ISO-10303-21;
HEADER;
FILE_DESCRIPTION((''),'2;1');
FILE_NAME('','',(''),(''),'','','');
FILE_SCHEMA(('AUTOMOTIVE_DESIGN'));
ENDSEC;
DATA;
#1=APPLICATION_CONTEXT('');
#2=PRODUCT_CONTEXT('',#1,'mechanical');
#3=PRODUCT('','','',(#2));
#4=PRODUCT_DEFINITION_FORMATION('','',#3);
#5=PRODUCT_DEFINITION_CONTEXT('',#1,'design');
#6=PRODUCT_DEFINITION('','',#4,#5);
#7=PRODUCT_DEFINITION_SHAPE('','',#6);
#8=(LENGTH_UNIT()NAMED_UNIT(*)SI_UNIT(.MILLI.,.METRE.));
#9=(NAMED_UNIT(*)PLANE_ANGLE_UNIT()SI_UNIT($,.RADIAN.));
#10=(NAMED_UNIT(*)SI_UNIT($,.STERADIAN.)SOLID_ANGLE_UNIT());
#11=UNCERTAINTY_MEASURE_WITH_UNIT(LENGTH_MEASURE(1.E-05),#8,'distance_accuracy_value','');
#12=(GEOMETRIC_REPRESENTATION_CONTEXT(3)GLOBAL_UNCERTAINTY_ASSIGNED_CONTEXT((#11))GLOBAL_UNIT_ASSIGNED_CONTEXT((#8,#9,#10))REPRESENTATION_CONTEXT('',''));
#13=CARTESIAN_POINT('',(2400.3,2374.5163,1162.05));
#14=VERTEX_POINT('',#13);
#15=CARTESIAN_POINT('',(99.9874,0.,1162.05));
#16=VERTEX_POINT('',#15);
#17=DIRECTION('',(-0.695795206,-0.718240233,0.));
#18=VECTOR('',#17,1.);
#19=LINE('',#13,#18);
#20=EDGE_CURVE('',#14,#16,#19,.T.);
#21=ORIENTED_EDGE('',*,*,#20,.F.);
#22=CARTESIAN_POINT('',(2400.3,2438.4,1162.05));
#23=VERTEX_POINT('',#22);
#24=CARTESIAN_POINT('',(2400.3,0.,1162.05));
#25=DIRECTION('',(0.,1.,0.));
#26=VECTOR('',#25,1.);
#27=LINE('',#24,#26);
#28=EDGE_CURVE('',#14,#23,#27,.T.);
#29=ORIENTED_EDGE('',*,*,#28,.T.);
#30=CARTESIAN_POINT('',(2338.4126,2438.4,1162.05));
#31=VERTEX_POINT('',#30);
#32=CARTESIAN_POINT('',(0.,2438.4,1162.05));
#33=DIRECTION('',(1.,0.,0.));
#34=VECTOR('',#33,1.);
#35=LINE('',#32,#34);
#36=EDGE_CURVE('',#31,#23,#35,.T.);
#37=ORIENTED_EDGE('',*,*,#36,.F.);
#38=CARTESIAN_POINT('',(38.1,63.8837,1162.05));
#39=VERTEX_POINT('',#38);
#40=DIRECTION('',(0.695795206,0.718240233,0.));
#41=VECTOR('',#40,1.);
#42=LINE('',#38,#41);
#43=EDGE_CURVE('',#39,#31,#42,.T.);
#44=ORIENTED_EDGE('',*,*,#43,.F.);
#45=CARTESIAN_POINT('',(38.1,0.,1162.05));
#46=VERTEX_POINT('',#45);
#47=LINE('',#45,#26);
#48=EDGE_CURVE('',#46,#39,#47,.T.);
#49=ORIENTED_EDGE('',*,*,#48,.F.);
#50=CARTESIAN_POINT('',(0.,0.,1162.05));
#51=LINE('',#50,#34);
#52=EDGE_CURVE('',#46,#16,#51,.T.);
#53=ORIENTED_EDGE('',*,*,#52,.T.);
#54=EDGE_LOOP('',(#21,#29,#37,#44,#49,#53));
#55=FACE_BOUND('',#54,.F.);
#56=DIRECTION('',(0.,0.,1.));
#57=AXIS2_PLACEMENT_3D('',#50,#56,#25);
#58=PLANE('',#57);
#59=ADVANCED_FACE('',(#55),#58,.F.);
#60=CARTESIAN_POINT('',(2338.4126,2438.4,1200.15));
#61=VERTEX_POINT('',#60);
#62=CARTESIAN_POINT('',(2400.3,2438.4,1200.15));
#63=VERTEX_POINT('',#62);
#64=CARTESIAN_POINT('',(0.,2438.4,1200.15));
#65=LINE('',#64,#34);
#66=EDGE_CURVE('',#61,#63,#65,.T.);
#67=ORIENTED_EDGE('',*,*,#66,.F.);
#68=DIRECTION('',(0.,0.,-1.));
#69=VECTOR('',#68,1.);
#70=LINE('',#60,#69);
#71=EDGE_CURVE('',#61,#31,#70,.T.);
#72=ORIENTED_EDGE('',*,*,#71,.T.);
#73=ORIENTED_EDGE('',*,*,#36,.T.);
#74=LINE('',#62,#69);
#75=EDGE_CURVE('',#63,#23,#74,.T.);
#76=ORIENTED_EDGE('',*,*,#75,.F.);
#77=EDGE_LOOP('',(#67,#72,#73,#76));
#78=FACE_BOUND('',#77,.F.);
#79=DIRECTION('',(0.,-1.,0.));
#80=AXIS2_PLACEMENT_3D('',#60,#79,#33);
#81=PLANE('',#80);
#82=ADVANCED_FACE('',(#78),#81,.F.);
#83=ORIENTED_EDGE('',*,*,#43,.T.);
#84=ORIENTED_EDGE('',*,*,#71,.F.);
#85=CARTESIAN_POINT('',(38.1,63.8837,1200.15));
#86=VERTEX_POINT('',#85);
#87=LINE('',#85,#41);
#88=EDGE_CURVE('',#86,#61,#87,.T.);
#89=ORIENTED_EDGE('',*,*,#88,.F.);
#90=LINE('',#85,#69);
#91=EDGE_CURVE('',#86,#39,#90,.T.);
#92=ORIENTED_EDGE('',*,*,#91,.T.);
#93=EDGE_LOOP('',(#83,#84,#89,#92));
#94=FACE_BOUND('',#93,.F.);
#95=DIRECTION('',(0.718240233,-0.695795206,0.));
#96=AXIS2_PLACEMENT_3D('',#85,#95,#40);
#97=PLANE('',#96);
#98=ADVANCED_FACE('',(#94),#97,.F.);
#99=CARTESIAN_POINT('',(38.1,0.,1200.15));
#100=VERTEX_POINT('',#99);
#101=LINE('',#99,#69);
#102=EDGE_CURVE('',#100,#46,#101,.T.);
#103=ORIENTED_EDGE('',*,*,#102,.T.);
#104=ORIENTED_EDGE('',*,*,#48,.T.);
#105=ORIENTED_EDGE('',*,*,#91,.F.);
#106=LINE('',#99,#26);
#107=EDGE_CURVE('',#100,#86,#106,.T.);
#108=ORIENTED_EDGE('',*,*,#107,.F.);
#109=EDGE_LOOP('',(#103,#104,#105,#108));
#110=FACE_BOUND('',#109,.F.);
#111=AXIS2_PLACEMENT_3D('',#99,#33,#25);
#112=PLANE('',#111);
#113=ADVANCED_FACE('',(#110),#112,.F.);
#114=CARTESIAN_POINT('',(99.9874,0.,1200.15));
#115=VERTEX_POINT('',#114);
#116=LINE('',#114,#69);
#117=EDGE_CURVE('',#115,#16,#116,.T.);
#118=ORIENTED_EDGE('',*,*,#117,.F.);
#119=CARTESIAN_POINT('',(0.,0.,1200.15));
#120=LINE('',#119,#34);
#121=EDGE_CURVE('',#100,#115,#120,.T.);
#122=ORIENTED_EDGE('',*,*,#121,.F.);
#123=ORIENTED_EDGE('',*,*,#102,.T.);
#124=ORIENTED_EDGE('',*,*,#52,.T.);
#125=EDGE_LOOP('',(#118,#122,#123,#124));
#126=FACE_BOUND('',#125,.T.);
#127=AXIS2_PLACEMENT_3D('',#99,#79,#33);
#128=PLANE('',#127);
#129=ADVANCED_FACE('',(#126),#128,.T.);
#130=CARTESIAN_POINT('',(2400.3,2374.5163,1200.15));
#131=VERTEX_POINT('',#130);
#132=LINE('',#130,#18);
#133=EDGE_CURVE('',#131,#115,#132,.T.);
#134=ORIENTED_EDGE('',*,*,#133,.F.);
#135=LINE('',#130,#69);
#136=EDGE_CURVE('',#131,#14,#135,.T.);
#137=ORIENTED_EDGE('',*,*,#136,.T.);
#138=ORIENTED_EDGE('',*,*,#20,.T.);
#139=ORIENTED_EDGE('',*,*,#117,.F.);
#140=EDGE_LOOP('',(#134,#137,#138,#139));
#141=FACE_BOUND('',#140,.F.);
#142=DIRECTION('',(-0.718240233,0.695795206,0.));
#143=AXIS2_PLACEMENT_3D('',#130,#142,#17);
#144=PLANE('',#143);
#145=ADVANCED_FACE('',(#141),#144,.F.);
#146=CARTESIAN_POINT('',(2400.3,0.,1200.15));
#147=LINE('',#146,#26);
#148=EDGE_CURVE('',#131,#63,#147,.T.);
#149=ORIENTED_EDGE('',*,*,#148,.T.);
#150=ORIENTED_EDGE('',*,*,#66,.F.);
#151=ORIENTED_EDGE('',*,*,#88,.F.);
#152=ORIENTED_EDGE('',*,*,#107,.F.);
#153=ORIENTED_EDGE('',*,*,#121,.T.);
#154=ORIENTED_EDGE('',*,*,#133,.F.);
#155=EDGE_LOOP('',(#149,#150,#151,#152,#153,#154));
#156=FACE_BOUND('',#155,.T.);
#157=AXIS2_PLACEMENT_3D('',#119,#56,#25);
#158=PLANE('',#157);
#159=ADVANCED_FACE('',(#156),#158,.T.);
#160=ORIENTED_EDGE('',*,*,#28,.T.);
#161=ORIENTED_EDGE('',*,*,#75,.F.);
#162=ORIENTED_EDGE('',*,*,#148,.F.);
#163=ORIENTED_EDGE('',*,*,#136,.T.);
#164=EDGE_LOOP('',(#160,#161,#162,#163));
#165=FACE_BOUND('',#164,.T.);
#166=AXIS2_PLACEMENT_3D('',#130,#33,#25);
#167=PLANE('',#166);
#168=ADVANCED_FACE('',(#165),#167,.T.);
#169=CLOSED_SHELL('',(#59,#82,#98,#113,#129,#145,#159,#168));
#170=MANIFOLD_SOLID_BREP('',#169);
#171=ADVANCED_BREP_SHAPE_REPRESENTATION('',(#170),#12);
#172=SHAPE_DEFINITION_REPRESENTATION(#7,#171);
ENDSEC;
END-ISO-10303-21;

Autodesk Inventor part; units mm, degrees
ref_plane "YZ Plane" through (0, 0, 0) normal (1, 0, 0) x (0, 1, 0)
ref_plane "XZ Plane" through (0, 0, 0) normal (0, 1, 0) x (-1, 0, 0)
ref_plane "Work Plane1" through (0, 0, 1200.15) normal (0, 0, 1) x (0, 1, 0)
sketch "Sketch1" plane through (0, 0, 1200.15) normal (0, 0, 1) x (0, 1, 0)
  line L0 (0, -2400.3) -> (2438.4, -2400.3) projected
  line L1 (2438.4, 0) -> (2438.4, -2438.4) projected
  line L2 (0, 0) -> (0, -3657.6) projected
  line L3 (0, -38.1) -> (2438.4, -38.1) projected
  line L4 (63.8837, -38.1) -> (2438.4, -2338.4126)
  line L5 (2438.4, -2338.4126) -> (2438.4, -2400.3)
  line L6 (2438.4, -2400.3) -> (2374.5163, -2400.3)
  line L7 (2374.5163, -2400.3) -> (0, -99.9874)
  line L8 (0, -99.9874) -> (0, -38.1)
  line L9 (0, -38.1) -> (63.8837, -38.1)
extrude "Extrusion1" add sketch "Sketch1" against normal blind 38.1 contours L7 L2 L3 L4 L1 L0
properties part number "S_2x4x133.660"
